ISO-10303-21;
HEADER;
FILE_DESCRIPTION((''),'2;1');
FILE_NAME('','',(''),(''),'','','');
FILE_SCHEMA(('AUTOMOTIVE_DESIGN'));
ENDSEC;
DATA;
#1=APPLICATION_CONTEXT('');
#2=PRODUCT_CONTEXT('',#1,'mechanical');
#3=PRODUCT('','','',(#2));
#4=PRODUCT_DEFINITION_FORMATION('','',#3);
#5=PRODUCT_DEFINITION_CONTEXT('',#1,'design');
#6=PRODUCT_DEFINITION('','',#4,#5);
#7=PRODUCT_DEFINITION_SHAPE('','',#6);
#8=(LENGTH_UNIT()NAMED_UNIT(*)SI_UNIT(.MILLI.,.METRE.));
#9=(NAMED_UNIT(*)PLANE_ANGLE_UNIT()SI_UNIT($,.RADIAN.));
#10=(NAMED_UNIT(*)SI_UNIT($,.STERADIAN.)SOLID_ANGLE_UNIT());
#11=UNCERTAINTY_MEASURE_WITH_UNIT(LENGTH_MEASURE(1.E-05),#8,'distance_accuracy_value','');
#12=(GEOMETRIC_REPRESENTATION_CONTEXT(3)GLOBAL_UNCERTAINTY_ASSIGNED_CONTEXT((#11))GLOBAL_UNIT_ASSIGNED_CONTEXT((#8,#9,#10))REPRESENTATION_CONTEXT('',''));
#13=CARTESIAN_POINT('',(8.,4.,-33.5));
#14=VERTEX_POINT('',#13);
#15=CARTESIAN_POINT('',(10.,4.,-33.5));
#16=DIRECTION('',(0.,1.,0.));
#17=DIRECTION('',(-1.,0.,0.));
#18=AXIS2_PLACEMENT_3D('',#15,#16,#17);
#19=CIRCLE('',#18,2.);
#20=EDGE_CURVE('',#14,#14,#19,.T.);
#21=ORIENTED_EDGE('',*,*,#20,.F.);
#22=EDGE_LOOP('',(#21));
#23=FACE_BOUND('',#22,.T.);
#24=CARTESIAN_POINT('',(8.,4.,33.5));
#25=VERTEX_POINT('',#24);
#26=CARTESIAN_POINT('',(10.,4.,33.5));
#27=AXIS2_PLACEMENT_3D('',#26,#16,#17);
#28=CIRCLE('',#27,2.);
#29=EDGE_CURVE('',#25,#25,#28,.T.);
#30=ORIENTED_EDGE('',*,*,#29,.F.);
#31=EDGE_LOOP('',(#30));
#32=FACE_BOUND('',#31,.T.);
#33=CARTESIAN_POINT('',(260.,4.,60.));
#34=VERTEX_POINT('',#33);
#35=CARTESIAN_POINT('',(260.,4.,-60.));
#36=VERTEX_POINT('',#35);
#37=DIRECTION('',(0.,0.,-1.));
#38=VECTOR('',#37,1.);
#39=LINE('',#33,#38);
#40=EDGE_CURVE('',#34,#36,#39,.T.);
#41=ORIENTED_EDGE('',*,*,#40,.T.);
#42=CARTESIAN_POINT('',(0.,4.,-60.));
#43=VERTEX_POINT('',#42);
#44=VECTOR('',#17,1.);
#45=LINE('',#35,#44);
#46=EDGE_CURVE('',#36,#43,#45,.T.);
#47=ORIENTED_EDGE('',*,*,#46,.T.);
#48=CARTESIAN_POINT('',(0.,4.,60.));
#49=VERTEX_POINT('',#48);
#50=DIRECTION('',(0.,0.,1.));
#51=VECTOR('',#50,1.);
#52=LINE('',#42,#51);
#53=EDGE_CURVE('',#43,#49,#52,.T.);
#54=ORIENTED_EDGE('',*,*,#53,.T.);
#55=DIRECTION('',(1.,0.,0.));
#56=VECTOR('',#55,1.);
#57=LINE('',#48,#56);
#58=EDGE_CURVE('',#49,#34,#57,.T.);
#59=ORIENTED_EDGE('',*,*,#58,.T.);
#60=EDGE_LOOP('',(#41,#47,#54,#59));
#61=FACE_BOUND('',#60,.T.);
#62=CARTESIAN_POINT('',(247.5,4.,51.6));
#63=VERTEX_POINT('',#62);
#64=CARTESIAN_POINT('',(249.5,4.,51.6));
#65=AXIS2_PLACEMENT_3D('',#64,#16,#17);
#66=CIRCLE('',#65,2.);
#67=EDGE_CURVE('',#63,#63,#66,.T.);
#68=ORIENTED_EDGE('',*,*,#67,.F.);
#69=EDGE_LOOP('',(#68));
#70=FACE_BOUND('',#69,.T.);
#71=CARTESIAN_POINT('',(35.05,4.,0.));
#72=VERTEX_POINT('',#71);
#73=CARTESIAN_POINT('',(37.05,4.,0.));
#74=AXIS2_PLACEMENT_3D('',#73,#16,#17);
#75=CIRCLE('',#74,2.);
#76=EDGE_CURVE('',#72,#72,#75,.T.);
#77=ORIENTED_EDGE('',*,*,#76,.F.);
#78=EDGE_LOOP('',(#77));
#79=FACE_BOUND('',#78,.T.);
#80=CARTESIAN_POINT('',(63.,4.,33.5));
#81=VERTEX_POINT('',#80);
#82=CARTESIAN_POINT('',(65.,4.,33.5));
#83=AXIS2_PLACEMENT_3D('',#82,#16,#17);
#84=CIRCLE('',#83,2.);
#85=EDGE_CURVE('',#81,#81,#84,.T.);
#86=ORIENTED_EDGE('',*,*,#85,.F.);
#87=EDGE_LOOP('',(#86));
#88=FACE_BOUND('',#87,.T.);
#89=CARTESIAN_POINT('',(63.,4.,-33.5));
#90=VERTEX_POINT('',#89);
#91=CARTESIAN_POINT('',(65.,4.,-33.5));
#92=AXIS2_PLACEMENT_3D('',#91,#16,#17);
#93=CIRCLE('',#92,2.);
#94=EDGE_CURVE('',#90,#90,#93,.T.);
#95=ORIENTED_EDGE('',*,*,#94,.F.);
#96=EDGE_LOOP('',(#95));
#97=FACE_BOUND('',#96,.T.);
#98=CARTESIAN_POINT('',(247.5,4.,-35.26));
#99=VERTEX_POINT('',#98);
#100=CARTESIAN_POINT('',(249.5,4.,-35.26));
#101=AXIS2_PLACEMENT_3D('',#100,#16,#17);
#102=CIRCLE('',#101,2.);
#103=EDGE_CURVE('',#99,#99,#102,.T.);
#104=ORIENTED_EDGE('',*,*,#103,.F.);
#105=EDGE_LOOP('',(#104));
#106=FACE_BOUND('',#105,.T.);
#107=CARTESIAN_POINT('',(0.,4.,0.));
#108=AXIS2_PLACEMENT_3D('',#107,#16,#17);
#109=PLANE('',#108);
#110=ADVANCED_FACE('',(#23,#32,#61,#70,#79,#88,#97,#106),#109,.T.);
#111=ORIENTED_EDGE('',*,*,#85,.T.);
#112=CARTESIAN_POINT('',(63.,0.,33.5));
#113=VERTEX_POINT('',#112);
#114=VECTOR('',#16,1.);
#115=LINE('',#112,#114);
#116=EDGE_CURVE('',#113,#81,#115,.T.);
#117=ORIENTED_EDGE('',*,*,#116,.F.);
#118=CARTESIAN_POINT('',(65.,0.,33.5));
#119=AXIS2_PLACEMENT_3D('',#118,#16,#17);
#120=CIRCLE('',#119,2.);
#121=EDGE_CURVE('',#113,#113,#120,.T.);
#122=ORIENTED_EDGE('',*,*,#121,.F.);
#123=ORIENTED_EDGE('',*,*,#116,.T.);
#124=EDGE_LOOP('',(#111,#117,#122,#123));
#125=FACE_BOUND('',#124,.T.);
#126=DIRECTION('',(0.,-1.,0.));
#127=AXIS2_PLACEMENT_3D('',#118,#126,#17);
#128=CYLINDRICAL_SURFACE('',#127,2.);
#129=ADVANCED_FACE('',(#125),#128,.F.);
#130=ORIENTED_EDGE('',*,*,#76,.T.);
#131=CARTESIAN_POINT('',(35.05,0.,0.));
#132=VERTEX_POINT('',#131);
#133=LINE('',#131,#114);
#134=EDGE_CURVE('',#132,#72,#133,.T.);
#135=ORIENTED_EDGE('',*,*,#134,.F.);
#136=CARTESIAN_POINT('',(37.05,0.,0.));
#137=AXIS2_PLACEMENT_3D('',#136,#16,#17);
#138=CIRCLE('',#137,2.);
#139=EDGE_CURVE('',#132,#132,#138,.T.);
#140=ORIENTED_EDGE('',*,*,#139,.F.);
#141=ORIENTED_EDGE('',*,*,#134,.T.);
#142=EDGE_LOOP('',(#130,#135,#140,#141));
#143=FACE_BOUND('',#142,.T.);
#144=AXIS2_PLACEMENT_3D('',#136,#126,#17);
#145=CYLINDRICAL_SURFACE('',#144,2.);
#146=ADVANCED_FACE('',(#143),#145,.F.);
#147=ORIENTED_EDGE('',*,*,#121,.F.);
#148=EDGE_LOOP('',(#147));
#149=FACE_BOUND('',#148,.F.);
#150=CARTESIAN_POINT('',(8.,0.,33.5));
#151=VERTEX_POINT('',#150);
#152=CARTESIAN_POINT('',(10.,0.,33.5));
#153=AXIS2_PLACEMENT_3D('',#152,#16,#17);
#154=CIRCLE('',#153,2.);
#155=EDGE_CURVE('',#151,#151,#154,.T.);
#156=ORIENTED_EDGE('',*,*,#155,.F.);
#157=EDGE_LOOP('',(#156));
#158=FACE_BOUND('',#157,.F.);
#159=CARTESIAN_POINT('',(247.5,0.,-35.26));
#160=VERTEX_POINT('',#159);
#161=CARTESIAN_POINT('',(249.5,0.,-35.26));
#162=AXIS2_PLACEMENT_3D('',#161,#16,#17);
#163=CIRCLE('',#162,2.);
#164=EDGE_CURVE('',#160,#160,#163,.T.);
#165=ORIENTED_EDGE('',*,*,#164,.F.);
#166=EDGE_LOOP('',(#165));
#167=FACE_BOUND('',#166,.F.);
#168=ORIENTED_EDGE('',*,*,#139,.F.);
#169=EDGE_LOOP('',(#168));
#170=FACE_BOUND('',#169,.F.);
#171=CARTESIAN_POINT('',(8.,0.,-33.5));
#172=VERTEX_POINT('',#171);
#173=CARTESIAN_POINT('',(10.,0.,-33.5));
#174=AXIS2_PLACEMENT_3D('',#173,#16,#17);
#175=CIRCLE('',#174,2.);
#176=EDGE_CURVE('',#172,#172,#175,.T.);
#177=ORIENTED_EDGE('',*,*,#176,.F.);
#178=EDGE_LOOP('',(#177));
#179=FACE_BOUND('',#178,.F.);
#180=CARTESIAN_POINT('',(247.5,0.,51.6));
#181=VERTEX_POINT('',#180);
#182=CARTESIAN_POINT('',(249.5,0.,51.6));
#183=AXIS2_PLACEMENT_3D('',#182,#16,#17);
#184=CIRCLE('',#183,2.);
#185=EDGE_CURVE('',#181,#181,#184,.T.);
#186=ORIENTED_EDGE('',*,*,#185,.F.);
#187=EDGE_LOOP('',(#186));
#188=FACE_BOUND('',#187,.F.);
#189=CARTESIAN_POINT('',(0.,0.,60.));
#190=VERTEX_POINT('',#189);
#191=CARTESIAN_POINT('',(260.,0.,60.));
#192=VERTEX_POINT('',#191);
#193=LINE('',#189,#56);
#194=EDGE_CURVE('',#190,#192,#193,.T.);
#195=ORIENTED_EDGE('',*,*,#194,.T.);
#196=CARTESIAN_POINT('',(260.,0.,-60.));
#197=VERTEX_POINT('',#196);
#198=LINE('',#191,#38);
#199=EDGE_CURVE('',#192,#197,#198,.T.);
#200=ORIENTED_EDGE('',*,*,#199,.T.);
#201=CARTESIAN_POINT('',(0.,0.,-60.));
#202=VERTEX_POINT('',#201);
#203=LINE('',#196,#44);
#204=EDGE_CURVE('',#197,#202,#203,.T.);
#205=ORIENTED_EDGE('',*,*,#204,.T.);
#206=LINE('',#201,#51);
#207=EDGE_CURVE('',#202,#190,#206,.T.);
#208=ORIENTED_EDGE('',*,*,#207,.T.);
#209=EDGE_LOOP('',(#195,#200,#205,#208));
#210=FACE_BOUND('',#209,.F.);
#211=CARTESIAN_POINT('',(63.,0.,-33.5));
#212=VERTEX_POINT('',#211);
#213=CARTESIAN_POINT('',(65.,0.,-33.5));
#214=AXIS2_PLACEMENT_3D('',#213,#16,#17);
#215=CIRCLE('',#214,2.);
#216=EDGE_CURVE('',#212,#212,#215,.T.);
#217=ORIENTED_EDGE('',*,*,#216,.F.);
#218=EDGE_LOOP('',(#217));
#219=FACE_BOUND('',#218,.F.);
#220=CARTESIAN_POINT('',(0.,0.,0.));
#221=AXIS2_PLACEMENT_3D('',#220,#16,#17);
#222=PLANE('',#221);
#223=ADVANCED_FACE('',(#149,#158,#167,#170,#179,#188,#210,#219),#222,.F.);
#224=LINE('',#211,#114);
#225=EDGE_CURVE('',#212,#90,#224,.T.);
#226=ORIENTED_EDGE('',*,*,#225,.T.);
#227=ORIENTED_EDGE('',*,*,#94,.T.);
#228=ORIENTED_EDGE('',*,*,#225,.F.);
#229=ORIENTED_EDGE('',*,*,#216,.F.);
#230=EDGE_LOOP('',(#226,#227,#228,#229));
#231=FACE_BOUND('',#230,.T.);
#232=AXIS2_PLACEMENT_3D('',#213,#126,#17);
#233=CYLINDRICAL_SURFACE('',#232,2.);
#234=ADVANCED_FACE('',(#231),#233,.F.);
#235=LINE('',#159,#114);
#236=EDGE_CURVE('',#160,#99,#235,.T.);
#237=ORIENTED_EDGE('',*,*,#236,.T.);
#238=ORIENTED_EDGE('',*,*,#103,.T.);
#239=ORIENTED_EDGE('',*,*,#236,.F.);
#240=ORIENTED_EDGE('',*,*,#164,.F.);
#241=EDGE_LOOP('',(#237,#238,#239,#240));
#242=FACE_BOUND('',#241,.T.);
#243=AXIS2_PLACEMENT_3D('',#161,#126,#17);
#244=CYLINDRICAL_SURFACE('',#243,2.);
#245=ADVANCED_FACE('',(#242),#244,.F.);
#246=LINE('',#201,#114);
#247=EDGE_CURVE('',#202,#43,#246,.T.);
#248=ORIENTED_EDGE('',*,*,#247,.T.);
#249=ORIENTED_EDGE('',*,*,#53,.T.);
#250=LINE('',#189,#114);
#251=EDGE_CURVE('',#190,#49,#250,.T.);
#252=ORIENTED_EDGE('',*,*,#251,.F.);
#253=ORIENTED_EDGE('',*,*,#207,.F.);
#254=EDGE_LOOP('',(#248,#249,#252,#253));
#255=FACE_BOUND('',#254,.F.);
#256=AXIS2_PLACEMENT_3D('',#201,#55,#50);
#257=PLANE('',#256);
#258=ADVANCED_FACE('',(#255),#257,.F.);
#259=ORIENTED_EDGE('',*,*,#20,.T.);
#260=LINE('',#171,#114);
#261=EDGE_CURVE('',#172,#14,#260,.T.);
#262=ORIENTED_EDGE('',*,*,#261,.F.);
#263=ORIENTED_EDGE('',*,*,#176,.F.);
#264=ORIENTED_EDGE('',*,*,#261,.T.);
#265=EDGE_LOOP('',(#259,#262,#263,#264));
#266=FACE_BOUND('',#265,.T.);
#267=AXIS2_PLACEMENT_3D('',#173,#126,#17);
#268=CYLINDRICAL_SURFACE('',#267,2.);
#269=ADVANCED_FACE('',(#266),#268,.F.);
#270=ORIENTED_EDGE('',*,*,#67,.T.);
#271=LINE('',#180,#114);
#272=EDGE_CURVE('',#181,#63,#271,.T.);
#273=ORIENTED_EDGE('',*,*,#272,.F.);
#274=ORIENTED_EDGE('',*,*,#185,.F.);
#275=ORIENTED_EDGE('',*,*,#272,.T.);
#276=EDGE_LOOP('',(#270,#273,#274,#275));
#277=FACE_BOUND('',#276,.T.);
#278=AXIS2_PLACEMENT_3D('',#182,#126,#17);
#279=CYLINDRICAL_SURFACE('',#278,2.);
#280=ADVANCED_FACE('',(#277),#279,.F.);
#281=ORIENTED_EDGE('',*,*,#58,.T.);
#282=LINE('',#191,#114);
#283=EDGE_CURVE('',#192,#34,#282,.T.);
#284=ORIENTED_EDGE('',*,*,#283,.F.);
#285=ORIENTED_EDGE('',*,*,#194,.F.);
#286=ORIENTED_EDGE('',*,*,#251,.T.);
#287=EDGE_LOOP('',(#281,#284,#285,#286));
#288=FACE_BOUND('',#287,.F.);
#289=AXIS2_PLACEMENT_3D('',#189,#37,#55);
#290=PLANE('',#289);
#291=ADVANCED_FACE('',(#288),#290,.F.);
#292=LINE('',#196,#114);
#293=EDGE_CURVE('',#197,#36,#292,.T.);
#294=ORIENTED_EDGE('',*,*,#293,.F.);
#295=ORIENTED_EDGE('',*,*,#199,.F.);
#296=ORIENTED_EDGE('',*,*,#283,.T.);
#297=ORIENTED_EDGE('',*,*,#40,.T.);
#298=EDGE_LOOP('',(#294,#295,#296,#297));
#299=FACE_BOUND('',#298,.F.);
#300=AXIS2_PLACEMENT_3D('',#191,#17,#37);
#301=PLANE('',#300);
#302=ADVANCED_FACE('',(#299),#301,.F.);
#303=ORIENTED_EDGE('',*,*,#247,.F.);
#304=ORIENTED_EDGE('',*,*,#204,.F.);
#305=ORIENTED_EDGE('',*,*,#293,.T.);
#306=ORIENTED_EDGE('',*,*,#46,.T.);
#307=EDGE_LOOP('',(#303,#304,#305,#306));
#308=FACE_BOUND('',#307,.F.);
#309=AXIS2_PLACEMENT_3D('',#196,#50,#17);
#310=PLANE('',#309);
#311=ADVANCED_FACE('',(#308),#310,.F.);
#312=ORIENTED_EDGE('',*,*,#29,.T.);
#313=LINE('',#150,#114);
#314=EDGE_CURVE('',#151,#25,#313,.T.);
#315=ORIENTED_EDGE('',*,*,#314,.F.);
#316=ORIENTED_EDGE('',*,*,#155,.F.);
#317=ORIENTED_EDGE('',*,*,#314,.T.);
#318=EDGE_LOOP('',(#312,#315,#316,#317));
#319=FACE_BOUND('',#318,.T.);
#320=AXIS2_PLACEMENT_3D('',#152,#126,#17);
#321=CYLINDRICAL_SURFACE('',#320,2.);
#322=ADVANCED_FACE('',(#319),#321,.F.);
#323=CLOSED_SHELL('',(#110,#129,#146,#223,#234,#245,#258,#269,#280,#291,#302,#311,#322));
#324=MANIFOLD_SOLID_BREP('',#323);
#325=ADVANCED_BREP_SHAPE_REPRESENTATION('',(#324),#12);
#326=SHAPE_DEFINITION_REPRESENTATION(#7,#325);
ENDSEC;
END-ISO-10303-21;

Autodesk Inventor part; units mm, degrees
ref_plane "YZ Plane" through (0, 0, 0) normal (1, 0, 0) x (0, 1, 0)
ref_plane "XZ Plane" through (0, 0, 0) normal (0, 1, 0) x (-1, 0, 0)
ref_plane "XY Plane" through (0, 0, 0) normal (0, 0, 1) x (1, 0, 0)
sketch "Sketch1" plane through (0, 0, 0) normal (0, 1, 0) x (-1, 0, 0)
  line L0 (0, 60) -> (-260, 60)
  line L1 (-260, 60) -> (-260, -60)
  line L2 (-260, -60) -> (0, -60)
  line L3 (0, -60) -> (0, 60)
  circle A0 centre (-10, 33.5) radius 2
  circle A1 centre (-10, -33.5) radius 2
  circle A2 centre (-65, 33.5) radius 2
  circle A3 centre (-65, -33.5) radius 2
  circle A4 centre (-37.05, 0) radius 2
  circle A5 centre (-249.5, 51.6) radius 2
  circle A6 centre (-249.5, -35.26) radius 2
  point P0 (0, 0)
  point P1 (0, 0)
  dimension "d2" = 260
  dimension "d3" = 120
  dimension "d4" = 4
  dimension "d5" = 55
  dimension "d6" = 67
  dimension "d7" = 33.5
  dimension "d8" = 10
  dimension "d11" = 4
  dimension "d13" = 37.05
  dimension "d14" = 4
  dimension "d15" = 4
  dimension "d17" = 10.5
  dimension "d18" = 24.74
  dimension "d19" = 8.4
extrude "Extrusion2" add sketch "Sketch1" along normal blind 4
equation "\"d7\" = 0.5 * d6"
properties part number "bed support" material "Wood (Birch)"
